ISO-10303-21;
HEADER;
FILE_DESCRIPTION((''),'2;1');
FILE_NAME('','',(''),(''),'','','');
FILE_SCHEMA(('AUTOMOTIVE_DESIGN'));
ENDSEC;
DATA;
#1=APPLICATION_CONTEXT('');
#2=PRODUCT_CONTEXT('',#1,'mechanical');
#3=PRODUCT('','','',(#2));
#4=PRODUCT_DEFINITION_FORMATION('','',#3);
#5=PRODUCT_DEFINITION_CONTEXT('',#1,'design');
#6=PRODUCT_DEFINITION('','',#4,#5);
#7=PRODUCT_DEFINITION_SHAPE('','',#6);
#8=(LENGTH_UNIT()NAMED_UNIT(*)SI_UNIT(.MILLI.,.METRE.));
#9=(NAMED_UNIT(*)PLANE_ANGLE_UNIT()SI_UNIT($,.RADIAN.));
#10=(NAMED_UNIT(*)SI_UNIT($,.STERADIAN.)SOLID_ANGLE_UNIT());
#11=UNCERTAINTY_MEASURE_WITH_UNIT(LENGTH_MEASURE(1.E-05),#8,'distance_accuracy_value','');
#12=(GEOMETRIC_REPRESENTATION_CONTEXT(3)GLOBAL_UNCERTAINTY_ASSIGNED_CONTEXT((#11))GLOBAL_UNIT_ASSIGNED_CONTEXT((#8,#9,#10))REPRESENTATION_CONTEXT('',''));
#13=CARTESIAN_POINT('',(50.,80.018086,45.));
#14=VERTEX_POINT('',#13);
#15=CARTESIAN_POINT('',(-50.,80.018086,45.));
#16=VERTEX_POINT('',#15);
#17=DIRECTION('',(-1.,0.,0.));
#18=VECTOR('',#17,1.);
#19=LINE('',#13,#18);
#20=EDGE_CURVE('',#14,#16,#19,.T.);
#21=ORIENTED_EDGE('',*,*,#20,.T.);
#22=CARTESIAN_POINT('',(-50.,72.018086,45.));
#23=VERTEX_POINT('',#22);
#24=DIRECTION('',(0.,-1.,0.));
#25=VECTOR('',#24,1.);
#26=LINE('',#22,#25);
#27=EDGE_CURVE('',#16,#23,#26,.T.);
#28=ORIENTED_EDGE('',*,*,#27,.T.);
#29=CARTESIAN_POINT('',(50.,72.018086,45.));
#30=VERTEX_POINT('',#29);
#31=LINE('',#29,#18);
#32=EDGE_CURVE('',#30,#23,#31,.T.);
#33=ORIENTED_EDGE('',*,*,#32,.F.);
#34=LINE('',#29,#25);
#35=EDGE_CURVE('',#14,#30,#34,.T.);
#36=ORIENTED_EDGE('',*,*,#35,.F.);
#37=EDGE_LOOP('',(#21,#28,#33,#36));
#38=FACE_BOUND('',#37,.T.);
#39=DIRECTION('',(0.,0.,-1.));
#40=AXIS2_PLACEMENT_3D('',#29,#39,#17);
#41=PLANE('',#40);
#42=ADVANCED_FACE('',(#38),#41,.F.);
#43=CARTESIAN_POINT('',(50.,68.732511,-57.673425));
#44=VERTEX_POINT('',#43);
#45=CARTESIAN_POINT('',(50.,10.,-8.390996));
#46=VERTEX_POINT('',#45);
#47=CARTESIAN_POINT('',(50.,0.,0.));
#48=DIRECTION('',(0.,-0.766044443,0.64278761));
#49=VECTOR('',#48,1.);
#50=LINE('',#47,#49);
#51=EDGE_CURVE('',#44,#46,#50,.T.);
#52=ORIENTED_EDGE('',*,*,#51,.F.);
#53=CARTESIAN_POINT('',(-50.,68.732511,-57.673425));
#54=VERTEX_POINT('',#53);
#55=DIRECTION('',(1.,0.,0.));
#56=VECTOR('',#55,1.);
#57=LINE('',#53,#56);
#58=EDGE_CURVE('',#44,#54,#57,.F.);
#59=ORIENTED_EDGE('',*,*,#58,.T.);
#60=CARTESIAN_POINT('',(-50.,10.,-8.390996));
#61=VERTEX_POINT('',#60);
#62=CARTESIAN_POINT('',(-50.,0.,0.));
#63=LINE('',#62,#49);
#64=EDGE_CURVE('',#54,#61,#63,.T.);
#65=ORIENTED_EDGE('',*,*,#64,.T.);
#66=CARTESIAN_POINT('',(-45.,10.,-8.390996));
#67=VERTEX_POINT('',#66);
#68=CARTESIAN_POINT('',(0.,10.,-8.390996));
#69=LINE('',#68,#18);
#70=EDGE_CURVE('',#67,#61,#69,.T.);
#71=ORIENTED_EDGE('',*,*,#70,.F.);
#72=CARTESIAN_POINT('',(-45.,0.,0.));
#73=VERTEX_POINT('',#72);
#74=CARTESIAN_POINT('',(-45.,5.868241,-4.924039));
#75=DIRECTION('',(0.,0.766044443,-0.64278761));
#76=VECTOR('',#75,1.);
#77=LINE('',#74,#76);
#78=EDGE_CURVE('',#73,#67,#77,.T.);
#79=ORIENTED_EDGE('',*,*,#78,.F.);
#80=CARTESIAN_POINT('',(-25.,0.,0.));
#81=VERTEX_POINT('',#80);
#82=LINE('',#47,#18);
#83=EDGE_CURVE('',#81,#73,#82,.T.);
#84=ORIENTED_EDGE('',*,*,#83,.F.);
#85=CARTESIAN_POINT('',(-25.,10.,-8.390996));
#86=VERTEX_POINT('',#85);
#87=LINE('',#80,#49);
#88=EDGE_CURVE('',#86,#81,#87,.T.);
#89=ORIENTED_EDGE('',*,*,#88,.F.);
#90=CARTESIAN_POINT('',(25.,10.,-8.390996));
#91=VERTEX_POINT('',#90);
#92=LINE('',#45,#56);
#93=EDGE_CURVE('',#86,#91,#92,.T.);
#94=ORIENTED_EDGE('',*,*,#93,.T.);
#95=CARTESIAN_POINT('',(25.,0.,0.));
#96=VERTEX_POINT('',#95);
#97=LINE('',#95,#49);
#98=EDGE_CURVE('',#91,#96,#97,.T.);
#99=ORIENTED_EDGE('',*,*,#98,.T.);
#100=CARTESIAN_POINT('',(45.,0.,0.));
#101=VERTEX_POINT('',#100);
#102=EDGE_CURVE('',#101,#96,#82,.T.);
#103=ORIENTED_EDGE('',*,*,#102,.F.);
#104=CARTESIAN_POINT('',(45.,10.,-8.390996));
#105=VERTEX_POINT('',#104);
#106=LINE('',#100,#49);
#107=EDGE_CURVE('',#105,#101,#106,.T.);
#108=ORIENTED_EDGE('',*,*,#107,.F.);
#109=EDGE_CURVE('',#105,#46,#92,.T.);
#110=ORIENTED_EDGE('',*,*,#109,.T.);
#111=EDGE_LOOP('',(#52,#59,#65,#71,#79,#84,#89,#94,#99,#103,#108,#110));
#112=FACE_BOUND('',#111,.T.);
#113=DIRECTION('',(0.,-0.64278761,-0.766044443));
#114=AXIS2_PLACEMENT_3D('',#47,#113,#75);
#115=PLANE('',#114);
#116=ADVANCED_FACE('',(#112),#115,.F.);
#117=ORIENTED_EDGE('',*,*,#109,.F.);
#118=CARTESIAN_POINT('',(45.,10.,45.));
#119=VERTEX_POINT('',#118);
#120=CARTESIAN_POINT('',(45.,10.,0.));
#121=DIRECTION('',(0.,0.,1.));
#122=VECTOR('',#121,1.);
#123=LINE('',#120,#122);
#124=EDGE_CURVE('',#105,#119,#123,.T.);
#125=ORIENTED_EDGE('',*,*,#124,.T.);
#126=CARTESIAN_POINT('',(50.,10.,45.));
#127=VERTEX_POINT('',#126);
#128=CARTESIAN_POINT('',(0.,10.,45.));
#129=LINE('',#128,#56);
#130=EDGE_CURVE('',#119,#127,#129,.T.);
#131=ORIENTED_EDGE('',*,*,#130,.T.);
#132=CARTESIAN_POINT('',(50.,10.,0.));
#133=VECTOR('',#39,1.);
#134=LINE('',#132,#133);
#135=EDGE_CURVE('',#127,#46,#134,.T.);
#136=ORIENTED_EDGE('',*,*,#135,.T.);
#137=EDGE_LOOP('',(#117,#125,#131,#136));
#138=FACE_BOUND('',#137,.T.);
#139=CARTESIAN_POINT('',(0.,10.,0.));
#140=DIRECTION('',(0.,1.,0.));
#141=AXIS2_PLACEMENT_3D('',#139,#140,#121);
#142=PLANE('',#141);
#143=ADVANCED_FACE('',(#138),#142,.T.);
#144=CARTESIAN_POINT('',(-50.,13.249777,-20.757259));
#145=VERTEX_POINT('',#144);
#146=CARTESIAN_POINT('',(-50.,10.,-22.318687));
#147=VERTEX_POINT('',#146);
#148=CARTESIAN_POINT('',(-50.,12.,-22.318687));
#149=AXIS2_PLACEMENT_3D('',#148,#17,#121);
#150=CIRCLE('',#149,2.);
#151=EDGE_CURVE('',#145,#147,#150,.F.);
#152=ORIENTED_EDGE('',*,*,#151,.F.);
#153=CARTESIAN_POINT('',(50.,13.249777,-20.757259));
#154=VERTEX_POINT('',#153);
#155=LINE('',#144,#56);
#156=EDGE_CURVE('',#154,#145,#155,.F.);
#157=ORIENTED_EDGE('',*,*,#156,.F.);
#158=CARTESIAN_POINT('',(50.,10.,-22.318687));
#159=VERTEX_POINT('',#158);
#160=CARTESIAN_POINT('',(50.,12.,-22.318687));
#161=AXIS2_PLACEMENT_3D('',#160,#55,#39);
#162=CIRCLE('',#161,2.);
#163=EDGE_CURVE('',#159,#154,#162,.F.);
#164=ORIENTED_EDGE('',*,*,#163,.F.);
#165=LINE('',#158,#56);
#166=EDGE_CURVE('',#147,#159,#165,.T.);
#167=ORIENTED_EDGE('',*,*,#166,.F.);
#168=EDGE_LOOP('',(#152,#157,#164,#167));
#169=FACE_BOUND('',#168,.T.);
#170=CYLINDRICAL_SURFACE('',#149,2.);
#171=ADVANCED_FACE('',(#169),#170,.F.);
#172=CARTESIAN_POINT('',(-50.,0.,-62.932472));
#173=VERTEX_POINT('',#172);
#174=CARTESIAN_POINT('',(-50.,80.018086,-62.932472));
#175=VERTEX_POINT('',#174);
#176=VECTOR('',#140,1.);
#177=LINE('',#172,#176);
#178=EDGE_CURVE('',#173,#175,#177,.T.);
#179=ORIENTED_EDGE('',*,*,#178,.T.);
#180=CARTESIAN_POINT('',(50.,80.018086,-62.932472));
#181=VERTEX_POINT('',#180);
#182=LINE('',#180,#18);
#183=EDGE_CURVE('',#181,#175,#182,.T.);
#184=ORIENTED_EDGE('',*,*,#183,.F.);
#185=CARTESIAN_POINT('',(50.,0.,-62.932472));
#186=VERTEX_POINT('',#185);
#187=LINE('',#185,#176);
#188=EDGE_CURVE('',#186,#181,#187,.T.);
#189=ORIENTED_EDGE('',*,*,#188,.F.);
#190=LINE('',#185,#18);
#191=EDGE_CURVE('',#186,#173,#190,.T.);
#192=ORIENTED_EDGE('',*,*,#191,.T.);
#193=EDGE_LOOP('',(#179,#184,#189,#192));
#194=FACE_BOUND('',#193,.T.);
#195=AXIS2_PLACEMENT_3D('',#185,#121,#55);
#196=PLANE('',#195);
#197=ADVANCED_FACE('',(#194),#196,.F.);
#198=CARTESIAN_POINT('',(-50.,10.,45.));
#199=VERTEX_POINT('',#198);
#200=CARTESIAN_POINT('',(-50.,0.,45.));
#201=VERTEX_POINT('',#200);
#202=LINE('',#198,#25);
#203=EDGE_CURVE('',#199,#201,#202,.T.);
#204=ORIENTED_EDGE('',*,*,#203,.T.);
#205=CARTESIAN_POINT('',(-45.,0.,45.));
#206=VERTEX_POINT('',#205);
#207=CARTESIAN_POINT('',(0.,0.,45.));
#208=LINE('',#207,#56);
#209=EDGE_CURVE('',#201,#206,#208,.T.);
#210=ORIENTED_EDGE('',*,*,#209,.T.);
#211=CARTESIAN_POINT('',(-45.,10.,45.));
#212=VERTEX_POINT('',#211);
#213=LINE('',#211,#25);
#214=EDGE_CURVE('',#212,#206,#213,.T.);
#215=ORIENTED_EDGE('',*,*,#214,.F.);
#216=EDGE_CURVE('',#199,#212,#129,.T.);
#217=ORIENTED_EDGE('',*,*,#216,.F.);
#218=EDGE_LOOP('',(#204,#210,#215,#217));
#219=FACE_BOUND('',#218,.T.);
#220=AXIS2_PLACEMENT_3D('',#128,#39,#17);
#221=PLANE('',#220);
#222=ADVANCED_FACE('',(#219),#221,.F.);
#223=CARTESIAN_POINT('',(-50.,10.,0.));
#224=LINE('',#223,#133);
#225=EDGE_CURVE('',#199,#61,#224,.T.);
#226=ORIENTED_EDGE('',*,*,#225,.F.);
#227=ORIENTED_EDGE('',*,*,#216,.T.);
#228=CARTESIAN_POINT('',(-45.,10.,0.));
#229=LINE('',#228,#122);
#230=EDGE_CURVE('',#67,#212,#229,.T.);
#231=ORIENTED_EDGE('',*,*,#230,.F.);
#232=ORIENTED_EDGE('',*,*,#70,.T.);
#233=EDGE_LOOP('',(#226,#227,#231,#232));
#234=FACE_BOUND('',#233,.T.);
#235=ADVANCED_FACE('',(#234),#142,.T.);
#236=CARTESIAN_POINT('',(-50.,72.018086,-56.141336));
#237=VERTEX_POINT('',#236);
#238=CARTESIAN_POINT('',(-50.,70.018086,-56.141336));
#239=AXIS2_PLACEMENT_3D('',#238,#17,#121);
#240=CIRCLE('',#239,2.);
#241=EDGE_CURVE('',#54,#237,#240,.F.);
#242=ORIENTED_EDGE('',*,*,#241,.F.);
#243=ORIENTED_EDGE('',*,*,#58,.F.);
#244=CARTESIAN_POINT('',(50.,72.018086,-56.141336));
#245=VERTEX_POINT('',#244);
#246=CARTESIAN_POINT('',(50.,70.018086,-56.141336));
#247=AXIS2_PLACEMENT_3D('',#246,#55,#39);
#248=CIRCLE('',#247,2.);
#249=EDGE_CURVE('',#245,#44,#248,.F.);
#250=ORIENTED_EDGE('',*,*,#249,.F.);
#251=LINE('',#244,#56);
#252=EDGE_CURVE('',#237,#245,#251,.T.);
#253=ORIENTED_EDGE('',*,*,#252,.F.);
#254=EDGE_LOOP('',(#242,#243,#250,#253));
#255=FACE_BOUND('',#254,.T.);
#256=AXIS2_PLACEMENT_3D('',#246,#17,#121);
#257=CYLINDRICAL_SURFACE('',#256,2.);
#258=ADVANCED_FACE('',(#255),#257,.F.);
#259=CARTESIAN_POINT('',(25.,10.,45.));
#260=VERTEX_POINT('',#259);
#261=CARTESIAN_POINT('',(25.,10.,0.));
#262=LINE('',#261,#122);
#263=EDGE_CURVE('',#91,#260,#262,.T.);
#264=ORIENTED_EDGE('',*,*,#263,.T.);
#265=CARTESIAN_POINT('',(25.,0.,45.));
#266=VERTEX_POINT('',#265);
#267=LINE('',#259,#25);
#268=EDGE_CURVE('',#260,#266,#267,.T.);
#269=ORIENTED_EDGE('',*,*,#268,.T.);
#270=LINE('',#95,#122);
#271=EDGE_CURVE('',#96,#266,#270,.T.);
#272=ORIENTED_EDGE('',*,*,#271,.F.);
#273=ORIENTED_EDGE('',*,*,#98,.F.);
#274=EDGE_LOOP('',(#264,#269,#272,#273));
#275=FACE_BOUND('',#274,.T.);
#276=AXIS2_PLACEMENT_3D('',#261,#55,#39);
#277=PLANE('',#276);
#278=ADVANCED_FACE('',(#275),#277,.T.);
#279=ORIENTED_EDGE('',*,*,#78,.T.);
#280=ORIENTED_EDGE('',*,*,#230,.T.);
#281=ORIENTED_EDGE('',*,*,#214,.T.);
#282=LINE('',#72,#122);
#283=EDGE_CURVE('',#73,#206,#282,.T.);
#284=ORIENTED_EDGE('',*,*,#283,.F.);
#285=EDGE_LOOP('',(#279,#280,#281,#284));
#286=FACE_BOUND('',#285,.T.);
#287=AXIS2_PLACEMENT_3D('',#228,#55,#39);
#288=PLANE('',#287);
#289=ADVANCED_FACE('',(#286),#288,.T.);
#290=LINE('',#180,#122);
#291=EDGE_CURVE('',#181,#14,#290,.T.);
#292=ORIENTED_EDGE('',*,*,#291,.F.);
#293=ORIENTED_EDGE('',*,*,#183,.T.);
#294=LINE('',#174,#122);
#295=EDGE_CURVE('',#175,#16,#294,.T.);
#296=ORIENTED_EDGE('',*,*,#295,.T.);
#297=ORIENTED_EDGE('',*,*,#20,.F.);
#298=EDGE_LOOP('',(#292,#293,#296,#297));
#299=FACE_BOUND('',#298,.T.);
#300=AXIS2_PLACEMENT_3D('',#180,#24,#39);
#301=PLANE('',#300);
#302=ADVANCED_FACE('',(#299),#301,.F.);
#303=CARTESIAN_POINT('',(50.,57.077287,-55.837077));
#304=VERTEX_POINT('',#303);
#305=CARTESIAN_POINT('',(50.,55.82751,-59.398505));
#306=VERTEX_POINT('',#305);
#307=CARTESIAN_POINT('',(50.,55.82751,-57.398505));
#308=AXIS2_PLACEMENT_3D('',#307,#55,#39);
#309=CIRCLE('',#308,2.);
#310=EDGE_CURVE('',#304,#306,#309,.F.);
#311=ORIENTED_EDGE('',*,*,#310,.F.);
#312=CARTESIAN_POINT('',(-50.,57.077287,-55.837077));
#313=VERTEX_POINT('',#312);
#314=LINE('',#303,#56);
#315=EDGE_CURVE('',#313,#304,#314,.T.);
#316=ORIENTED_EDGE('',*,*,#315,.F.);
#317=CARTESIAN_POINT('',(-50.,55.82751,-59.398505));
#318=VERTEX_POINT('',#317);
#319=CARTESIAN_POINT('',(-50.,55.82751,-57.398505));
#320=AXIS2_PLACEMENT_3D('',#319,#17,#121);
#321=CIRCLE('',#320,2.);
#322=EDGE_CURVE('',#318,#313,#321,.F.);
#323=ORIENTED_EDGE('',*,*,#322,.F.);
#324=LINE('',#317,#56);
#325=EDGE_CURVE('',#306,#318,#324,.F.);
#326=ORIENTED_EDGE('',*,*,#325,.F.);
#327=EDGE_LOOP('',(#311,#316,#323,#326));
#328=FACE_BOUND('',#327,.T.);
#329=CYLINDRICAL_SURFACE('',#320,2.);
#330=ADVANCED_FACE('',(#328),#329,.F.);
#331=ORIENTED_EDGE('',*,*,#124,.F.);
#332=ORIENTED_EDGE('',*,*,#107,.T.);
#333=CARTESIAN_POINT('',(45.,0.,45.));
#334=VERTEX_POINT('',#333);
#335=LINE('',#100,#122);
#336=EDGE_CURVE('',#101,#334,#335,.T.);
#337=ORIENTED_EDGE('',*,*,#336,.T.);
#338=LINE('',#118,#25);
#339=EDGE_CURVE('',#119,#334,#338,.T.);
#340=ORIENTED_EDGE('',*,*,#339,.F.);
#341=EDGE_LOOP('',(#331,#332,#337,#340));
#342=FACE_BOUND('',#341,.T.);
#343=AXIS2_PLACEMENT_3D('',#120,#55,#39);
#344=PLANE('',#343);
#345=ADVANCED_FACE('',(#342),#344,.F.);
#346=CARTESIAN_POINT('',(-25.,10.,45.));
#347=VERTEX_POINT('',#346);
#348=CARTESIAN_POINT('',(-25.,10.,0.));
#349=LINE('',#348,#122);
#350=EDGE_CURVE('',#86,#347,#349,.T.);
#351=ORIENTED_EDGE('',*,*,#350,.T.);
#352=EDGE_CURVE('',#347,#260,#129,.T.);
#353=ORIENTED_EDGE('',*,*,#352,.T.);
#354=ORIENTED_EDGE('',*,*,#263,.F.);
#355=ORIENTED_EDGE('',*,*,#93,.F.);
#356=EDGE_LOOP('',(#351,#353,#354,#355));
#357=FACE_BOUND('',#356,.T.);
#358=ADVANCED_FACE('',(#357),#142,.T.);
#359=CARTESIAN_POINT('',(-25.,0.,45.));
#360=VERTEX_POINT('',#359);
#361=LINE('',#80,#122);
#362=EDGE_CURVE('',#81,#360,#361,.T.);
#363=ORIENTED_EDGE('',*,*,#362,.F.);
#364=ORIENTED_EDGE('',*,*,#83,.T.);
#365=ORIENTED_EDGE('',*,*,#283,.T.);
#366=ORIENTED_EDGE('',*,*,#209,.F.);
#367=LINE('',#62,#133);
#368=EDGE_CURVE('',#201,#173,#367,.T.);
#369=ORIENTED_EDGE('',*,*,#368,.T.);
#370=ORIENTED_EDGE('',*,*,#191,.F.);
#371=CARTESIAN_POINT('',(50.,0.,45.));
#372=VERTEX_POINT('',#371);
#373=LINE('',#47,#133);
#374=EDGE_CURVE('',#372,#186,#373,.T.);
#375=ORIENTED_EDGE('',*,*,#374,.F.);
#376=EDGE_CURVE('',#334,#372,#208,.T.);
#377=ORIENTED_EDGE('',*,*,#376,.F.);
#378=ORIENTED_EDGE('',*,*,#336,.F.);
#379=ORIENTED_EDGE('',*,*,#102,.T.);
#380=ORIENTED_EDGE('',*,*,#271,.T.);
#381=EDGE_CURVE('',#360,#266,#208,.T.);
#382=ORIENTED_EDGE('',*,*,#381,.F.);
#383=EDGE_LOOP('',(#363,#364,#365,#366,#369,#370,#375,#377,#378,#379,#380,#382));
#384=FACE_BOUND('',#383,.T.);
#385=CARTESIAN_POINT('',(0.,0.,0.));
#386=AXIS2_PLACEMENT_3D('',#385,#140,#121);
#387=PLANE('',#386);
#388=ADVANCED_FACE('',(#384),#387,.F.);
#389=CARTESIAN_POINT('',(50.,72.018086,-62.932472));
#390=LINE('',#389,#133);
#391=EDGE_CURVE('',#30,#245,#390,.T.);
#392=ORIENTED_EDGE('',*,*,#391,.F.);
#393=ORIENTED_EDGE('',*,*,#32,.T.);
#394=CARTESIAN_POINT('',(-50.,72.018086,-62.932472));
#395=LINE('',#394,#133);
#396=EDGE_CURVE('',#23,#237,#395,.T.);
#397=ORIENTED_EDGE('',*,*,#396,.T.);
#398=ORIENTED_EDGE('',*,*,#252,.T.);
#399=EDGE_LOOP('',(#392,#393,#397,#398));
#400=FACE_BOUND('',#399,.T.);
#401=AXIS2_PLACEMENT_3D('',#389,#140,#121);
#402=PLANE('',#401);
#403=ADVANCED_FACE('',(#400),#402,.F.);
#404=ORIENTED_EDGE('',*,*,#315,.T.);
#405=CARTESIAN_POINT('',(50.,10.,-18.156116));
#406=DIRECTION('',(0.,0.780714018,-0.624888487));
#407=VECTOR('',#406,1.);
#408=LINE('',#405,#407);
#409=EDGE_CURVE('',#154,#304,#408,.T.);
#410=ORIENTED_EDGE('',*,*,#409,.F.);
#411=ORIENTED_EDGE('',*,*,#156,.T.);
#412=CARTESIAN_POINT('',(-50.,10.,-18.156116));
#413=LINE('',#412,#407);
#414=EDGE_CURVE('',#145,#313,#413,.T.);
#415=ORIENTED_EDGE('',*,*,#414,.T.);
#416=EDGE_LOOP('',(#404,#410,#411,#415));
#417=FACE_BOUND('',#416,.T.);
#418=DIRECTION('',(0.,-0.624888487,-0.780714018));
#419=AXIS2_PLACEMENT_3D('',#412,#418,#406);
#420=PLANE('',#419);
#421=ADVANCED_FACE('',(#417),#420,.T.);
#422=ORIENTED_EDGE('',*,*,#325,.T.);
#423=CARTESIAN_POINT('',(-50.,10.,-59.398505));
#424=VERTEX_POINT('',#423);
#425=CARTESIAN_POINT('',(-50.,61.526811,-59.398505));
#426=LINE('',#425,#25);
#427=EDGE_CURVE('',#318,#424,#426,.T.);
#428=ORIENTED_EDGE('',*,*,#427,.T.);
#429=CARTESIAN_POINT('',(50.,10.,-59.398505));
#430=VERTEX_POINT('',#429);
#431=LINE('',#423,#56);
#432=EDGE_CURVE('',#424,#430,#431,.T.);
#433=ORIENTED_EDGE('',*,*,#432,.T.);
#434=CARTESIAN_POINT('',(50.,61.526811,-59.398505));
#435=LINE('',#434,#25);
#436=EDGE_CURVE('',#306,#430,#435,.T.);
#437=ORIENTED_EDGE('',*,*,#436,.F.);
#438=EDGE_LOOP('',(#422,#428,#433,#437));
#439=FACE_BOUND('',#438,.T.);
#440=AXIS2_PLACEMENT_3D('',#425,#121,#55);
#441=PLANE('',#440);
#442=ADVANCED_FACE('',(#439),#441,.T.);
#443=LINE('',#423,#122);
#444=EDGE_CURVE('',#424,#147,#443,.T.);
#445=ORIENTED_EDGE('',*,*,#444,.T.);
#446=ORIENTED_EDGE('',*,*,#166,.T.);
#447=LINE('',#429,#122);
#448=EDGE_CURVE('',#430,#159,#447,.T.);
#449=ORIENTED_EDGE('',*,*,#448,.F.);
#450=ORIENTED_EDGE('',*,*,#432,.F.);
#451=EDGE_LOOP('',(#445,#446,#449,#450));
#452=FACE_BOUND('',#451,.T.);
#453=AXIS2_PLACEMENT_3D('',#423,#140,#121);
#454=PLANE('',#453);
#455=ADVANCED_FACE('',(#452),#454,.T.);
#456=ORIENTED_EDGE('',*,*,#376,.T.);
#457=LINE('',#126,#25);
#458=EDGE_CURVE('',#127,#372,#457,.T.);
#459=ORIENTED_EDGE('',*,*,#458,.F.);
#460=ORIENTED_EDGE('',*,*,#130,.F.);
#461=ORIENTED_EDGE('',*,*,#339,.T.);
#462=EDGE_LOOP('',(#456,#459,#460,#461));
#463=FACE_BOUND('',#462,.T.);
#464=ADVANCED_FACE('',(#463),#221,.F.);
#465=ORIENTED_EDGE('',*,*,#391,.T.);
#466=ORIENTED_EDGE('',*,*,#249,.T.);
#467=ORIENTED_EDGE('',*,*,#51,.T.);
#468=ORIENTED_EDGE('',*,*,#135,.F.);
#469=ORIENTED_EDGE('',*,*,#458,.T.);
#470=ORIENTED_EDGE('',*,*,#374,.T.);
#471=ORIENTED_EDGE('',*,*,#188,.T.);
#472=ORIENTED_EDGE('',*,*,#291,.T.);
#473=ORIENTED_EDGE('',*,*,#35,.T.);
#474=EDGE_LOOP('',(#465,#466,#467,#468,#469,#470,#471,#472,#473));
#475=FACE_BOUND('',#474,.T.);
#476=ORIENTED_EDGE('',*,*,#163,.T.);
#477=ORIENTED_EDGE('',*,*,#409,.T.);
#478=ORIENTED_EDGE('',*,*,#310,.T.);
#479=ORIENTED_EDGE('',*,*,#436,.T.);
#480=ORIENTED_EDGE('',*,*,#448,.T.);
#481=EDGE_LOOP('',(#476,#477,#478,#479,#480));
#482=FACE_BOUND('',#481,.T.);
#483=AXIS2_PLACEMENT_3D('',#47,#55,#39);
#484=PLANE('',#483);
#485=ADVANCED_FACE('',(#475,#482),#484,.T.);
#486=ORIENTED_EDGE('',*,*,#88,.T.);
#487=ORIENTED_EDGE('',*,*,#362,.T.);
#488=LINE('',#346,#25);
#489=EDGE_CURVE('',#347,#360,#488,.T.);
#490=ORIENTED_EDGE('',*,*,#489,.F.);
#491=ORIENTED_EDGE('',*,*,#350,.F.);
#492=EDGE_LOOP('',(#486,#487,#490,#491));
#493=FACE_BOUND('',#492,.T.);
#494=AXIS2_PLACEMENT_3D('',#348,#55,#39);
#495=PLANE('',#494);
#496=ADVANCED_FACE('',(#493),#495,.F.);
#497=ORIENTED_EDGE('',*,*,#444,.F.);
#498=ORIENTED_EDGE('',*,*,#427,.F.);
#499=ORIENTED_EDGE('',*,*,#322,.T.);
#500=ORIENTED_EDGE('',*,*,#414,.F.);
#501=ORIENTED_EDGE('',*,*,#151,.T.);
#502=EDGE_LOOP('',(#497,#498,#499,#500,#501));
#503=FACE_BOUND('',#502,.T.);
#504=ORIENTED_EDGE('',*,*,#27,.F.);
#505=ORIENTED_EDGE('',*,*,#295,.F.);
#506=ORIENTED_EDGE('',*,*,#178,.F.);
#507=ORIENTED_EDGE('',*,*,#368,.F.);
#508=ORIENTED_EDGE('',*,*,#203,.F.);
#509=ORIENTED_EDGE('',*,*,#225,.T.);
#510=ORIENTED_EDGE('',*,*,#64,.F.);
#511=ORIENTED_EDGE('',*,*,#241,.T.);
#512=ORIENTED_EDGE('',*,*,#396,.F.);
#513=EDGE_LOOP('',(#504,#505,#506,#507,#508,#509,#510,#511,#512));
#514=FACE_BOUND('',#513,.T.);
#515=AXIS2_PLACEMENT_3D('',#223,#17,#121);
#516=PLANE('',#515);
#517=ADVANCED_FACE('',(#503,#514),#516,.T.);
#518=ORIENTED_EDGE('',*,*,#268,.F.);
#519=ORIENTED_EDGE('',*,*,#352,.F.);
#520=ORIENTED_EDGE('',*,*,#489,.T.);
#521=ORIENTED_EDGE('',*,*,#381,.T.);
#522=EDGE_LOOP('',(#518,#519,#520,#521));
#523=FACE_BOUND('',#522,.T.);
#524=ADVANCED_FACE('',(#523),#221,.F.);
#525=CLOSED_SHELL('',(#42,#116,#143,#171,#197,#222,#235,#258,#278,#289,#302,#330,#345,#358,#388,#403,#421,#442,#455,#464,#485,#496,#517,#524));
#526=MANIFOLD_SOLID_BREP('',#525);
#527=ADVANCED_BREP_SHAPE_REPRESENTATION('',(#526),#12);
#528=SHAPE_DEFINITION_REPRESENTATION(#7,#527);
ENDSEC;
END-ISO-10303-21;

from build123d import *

# Parameters (mm, degrees)
SKETCH_2_W               = 5
SKETCH_2_H               = 90
EXTRUDE_1_DEPTH          = 10
EXTRUDE_1_2_DEPTH        = 10
SKETCH_2_W_2             = 50
EXTRUDE_1_3_DEPTH        = 10
EXTRUDE_5_DEPTH          = 50
SKETCH_5_W               = 107.932472338
SKETCH_5_H               = 8
EXTRUDE_6_DEPTH          = 50
CUT_EXTRUDE_1_DEPTH      = 114.416886857
CUT_EXTRUDE_1_DEPTH_BACK = 114.416886857
FILLET_1_R               = 2
FILLET_2_R               = 2


with BuildPart() as part:
    # 草图2 → 凸台-拉伸1 (new body)
    with BuildSketch(Plane(origin=(0, 0, 0), x_dir=(1, 0, 0), z_dir=(0, 1, 0))):
        with Locations((-47.5, 0)):
            Rectangle(SKETCH_2_W, SKETCH_2_H)
    extrude(amount=EXTRUDE_1_DEPTH)



with BuildPart() as body_2:
    # 草图2 → Extrude 1 2 (new body)
    with BuildSketch(Plane(origin=(0, 0, 0), x_dir=(1, 0, 0), z_dir=(0, 1, 0))):
        with Locations((47.5, 0)):
            Rectangle(SKETCH_2_W, SKETCH_2_H)
    extrude(amount=EXTRUDE_1_2_DEPTH)


with BuildPart() as body_3:
    # 草图2 → Extrude 1 3 (new body)
    with BuildSketch(Plane(origin=(0, 0, 0), x_dir=(1, 0, 0), z_dir=(0, 1, 0))):
        Rectangle(SKETCH_2_W_2, SKETCH_2_H)
    extrude(amount=EXTRUDE_1_3_DEPTH)


with BuildPart() as part_1:
    add(part.part)

    add(body_2.part)  # 凸台-拉伸5 merges body 2

    add(body_3.part)  # 凸台-拉伸5 merges body 3
    # 草图3 → 凸台-拉伸5 (add, symmetric)
    with BuildSketch(Plane(origin=(0, 0, 0), x_dir=(0, 0, -1), z_dir=(1, 0, 0))):
        Polygon((62.932472338, 75), (0, 0), (45, 0), (62.932472338, 0), align=None)
    extrude(amount=EXTRUDE_5_DEPTH, both=True)

    # 草图5 → 凸台-拉伸6 (add, symmetric)
    with BuildSketch(Plane(origin=(0, 0, 0), x_dir=(0, 0, -1), z_dir=(1, 0, 0))):
        with Locations((8.966236169, 76.018086392)):
            Rectangle(SKETCH_5_W, SKETCH_5_H)
    extrude(amount=EXTRUDE_6_DEPTH, both=True)

    # 草图6 → 切除-拉伸1 (cut, two sides: drawn at the far end of the back side and taken through both)
    with BuildSketch(Plane(origin=(0, 0, 0), x_dir=(0, 0, -1), z_dir=(1, 0, 0)).offset(-CUT_EXTRUDE_1_DEPTH_BACK)):
        Polygon((18.156116312, 10), (59.398505248, 61.526811336), (59.398505248, 10), align=None)
    extrude(amount=CUT_EXTRUDE_1_DEPTH + CUT_EXTRUDE_1_DEPTH_BACK, mode=Mode.SUBTRACT)

    # 圆角1
    fillet_1_edges = [part_1.edges().sort_by_distance(p)[0] for p in [
        (0, 61.526811336, -59.398505248),
        (0, 10, -18.156116312),
    ]]
    fillet(fillet_1_edges, radius=FILLET_1_R)

    # 圆角2
    fillet_2_edges = [part_1.edges().sort_by_distance(p)[0] for p in [
        (0, 72.018086392, -60.430349729),
    ]]
    fillet(fillet_2_edges, radius=FILLET_2_R)


solid = part_1.part
